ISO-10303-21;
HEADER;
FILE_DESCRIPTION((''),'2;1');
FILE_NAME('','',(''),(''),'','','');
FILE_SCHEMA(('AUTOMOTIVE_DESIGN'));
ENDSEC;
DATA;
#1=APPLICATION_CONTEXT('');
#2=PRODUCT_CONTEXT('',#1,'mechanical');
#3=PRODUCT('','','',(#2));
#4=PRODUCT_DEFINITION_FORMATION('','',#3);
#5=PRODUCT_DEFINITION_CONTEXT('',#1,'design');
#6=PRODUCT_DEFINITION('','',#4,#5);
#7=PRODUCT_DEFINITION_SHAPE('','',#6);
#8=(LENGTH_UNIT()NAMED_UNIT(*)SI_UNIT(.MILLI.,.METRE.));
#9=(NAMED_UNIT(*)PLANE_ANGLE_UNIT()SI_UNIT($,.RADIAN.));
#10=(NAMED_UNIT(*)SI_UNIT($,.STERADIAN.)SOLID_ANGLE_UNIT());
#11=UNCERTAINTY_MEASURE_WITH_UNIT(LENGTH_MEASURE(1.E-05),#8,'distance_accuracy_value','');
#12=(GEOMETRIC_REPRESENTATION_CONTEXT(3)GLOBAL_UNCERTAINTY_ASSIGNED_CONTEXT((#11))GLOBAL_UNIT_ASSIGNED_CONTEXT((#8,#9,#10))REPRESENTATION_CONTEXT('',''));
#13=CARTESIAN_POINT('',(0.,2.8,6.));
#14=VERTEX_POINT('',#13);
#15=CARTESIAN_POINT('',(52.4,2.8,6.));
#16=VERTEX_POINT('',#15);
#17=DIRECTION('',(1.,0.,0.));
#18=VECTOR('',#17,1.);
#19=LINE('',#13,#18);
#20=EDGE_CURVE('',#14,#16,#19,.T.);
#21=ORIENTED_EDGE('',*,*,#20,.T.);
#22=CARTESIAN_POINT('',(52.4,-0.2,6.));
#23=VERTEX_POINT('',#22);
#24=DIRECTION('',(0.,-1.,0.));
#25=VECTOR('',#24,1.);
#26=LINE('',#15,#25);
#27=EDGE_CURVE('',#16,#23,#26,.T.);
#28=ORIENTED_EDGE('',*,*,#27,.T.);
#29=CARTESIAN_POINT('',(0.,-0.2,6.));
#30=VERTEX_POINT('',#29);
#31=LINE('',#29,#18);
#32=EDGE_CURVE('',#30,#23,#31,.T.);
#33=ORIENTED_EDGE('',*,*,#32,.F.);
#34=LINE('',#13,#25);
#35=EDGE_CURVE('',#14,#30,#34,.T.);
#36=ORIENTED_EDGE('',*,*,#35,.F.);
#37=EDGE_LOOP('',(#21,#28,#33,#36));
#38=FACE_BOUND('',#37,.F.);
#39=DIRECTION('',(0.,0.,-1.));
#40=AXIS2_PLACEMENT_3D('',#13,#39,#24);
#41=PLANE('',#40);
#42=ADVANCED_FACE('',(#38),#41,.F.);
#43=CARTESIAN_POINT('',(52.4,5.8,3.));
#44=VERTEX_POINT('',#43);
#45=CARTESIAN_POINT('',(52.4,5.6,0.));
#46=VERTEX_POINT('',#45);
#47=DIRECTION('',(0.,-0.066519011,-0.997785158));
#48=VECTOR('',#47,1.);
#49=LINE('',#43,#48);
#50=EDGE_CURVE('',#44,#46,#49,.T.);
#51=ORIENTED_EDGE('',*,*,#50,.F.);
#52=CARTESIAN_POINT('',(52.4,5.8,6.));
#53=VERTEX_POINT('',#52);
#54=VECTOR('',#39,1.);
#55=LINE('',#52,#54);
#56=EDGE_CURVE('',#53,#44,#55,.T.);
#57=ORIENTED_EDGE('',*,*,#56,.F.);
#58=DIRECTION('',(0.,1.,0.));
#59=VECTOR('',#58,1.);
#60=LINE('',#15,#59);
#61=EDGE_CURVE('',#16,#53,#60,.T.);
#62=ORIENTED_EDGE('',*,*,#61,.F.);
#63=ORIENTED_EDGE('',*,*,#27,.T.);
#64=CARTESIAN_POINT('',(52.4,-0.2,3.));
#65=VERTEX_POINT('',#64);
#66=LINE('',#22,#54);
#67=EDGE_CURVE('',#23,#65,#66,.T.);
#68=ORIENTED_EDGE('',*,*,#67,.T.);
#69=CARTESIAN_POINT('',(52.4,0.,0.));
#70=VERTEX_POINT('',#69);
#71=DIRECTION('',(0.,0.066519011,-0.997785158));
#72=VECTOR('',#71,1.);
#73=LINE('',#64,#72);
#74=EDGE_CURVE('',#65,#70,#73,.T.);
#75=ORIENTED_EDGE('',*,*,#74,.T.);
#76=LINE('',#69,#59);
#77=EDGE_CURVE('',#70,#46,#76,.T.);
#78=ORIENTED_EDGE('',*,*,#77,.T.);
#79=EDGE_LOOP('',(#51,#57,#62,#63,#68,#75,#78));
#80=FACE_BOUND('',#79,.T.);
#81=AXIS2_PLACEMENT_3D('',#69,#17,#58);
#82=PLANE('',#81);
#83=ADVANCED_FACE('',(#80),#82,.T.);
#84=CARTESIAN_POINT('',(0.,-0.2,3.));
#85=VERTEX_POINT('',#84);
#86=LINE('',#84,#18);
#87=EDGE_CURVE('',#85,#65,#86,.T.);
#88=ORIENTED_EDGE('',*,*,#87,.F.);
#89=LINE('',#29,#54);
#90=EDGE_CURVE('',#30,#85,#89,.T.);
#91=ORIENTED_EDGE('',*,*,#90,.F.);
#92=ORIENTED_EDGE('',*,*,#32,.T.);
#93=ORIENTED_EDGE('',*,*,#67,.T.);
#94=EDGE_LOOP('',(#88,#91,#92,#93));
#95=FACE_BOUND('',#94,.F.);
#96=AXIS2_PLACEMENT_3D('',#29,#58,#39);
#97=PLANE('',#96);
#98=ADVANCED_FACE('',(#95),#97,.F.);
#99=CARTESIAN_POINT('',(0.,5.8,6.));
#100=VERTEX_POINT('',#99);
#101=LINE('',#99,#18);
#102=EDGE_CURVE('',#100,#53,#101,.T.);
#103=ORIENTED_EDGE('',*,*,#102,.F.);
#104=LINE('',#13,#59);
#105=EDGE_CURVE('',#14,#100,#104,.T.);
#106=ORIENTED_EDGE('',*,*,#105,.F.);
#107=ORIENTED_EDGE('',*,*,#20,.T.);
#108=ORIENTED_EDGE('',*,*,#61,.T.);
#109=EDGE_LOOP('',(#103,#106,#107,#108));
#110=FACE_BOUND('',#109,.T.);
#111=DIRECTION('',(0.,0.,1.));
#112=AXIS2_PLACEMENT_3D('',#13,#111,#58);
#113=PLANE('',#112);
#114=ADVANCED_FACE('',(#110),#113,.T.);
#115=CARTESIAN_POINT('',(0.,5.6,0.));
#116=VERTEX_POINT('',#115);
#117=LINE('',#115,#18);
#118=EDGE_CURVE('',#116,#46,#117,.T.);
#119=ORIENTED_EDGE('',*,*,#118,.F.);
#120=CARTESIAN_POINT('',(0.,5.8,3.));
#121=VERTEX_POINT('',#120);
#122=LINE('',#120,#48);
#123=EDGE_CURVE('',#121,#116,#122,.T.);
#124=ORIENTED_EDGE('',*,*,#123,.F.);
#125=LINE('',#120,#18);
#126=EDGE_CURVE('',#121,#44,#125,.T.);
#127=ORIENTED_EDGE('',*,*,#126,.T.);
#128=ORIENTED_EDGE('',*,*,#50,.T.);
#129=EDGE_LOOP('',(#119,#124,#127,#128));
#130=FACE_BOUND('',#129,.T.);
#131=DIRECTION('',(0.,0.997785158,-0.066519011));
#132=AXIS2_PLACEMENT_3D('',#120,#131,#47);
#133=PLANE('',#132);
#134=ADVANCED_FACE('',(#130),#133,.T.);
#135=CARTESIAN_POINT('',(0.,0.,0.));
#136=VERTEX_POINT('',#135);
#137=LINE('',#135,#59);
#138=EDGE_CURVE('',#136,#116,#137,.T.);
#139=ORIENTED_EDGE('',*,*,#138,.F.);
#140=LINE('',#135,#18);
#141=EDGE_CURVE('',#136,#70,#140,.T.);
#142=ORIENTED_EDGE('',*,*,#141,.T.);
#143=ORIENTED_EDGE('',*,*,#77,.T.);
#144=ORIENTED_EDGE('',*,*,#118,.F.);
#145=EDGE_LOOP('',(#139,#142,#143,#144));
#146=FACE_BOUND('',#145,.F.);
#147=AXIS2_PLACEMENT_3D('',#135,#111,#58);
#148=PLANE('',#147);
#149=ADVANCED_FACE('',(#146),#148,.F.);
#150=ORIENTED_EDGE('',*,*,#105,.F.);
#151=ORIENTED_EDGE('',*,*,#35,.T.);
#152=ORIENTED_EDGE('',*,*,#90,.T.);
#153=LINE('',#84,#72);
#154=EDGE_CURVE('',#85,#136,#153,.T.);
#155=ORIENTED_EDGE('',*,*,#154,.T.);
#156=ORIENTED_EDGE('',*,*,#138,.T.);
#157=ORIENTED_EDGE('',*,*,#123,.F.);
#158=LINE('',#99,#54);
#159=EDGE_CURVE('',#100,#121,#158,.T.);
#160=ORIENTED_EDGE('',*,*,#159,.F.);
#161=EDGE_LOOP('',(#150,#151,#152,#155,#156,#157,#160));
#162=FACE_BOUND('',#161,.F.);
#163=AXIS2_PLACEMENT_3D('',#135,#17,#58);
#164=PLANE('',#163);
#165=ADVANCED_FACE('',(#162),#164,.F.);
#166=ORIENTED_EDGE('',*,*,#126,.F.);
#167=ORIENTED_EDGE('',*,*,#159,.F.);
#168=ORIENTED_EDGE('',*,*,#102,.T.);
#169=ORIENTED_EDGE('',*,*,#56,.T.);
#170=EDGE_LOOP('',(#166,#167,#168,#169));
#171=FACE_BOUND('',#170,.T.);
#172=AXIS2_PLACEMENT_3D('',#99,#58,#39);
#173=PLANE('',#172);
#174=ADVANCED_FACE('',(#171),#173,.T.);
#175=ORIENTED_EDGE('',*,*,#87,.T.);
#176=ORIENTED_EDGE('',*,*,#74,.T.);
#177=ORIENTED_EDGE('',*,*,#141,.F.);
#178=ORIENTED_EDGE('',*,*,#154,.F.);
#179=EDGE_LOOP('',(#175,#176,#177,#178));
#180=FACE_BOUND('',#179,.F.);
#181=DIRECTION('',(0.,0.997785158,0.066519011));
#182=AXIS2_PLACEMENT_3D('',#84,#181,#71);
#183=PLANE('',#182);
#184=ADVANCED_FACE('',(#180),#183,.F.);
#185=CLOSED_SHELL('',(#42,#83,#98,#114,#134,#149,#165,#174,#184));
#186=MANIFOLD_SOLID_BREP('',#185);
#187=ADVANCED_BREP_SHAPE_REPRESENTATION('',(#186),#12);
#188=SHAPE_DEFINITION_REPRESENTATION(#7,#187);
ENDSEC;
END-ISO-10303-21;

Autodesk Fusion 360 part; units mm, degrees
sketch "Sketch1" plane through (0, 0, 0) normal (1, 0, 0) x (0, 1, 0)
  line L0 (0, 0) -> (5.6, 0)
  line L1 (2.8, 0) -> (2.8, 6) construction
  line L2 (2.8, 6) -> (-0.2, 6)
  line L3 (2.8, 6) -> (5.8, 6)
  line L4 (-0.2, 6) -> (-0.2, 3)
  line L5 (-0.2, 3) -> (0, 0)
  line L6 (5.8, 6) -> (5.8, 3)
  line L7 (5.8, 3) -> (5.6, 0)
  dimension "d1" = 5.6
  dimension "d2" = 3
  dimension "d3" = 3
extrude "Extrude1" add sketch "Sketch1" along normal blind 52.4
